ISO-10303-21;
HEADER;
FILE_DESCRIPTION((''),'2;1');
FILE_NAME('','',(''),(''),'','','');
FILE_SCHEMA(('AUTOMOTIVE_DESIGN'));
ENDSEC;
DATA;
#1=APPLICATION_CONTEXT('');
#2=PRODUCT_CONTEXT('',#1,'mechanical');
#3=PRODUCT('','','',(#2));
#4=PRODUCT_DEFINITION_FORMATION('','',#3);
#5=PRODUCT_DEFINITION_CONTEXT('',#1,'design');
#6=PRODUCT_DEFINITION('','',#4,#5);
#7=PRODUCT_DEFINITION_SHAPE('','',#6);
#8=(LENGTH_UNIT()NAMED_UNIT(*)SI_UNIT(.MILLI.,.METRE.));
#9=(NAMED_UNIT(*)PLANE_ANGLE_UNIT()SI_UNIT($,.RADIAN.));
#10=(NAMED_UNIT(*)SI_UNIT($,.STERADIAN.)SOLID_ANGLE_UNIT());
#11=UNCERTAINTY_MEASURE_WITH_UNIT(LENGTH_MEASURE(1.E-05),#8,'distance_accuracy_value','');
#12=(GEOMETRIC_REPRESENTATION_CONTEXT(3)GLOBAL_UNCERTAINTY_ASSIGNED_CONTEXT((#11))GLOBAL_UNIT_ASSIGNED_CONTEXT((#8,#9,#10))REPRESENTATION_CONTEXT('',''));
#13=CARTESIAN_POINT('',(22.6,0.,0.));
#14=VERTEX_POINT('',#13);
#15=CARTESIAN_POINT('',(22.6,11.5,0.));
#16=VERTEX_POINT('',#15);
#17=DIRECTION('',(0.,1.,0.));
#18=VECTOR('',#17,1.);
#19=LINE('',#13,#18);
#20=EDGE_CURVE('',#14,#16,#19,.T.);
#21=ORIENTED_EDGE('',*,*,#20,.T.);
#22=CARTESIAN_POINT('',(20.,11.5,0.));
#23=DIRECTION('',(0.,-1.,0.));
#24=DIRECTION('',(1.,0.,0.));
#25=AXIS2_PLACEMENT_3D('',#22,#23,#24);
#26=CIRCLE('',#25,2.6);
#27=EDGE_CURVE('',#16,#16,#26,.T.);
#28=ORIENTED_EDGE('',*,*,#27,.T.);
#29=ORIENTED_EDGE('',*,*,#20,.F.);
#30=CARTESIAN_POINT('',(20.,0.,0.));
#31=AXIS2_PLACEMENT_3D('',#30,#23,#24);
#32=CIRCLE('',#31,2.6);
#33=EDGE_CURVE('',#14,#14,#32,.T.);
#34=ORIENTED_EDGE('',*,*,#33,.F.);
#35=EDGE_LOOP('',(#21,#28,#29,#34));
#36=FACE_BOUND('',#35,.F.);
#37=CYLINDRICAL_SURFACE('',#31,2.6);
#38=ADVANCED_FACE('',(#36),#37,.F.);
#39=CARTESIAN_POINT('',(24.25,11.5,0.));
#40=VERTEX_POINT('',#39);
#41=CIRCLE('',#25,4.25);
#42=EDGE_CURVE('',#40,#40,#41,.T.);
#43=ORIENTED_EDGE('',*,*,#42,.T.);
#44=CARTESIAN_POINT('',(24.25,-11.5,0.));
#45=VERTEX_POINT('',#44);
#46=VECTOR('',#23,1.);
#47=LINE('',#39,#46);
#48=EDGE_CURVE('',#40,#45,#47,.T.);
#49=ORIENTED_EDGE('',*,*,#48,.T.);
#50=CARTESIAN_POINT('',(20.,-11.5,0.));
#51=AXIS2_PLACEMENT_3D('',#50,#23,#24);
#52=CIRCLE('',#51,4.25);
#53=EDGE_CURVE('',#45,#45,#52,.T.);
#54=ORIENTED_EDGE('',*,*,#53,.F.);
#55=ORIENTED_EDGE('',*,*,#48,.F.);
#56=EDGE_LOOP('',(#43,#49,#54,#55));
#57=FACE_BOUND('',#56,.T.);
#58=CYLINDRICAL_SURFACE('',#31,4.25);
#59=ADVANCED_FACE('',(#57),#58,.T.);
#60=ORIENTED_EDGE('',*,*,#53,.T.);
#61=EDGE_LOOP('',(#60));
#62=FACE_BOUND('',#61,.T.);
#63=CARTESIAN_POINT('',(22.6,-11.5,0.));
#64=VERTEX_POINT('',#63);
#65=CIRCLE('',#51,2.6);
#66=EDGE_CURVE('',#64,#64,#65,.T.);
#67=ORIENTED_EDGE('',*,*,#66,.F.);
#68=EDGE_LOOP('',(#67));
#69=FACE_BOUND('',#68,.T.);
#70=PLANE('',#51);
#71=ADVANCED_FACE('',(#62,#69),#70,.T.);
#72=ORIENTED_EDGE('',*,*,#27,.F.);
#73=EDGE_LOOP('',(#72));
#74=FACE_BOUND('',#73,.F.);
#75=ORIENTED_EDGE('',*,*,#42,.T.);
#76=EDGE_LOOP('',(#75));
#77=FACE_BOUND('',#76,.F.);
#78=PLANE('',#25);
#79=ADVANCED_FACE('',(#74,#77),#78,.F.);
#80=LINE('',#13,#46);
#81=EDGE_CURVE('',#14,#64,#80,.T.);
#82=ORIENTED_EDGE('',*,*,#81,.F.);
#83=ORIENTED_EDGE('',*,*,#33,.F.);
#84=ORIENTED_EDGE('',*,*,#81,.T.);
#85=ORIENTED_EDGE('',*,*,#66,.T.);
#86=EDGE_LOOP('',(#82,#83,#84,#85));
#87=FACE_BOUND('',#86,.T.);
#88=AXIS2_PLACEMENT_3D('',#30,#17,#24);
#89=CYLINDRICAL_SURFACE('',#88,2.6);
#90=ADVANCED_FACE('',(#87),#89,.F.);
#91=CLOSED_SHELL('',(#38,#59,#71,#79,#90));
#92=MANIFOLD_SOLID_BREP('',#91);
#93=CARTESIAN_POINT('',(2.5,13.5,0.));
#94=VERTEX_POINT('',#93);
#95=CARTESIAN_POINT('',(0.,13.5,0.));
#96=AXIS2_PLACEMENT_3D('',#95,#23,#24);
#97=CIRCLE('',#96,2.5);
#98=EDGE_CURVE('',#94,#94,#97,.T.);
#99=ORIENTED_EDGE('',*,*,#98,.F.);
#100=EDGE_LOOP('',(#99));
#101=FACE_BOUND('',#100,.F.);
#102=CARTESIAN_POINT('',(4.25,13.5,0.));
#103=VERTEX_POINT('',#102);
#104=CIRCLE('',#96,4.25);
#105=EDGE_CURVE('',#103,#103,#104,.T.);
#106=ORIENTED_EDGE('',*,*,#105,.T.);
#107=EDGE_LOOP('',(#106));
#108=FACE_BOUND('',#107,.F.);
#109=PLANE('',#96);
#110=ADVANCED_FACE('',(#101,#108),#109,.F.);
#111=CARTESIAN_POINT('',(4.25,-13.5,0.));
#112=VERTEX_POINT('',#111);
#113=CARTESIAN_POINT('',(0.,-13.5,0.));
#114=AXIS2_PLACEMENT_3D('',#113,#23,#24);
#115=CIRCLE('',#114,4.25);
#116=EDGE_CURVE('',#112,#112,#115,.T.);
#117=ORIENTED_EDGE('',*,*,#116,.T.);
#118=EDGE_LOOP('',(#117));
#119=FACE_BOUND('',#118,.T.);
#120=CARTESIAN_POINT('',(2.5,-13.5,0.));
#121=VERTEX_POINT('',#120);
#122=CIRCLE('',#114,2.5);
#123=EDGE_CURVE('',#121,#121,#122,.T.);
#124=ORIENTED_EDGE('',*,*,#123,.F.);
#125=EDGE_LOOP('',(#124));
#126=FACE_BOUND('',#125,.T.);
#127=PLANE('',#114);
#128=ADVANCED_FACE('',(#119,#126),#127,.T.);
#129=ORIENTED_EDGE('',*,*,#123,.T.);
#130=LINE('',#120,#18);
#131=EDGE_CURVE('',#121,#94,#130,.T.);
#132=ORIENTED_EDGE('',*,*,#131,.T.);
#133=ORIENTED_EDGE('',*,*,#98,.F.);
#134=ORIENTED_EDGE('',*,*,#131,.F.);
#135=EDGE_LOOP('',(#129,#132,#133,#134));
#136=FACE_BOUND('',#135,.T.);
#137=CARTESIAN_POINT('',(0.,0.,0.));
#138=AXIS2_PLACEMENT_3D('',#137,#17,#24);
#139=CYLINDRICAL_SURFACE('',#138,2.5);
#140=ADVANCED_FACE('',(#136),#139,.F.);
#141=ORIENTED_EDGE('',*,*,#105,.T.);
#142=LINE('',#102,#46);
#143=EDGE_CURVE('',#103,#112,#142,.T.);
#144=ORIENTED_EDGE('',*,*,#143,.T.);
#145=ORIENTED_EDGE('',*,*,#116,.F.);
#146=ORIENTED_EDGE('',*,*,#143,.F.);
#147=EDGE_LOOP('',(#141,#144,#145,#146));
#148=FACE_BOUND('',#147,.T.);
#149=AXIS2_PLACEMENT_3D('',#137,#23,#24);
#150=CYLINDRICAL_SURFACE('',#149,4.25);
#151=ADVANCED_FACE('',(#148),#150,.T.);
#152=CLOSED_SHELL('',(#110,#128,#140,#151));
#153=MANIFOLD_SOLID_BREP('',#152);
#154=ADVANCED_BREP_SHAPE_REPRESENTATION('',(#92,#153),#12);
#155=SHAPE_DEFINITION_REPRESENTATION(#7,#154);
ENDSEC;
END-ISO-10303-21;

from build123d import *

# Parameters (mm, degrees)
F0_R          = 4.25
F0_R_2        = 2.5
F1_DEPTH      = 13.5
F2_R          = 4.25
F2_R_2        = 2.6
F3_DEPTH      = 11.5
F3_DEPTH_BACK = 11.5


with BuildPart() as f1:
    # F0 (on Front) → F1 (new body, symmetric)
    with BuildSketch(Plane.XZ):
        Circle(F0_R)
        Circle(F0_R_2, mode=Mode.SUBTRACT)
    extrude(amount=F1_DEPTH, both=True)


with BuildPart() as f3:
    # F2 (on Front) → F3 (new body, two sides)
    with BuildSketch(Plane.XZ) as f3_sk:
        with Locations((20, 0)):
            Circle(F2_R)
        with Locations((20, 0)):
            Circle(F2_R_2, mode=Mode.SUBTRACT)
    extrude(amount=F3_DEPTH)
    extrude(f3_sk.sketch, amount=-F3_DEPTH_BACK)


solid = Compound([f1.part, f3.part])
